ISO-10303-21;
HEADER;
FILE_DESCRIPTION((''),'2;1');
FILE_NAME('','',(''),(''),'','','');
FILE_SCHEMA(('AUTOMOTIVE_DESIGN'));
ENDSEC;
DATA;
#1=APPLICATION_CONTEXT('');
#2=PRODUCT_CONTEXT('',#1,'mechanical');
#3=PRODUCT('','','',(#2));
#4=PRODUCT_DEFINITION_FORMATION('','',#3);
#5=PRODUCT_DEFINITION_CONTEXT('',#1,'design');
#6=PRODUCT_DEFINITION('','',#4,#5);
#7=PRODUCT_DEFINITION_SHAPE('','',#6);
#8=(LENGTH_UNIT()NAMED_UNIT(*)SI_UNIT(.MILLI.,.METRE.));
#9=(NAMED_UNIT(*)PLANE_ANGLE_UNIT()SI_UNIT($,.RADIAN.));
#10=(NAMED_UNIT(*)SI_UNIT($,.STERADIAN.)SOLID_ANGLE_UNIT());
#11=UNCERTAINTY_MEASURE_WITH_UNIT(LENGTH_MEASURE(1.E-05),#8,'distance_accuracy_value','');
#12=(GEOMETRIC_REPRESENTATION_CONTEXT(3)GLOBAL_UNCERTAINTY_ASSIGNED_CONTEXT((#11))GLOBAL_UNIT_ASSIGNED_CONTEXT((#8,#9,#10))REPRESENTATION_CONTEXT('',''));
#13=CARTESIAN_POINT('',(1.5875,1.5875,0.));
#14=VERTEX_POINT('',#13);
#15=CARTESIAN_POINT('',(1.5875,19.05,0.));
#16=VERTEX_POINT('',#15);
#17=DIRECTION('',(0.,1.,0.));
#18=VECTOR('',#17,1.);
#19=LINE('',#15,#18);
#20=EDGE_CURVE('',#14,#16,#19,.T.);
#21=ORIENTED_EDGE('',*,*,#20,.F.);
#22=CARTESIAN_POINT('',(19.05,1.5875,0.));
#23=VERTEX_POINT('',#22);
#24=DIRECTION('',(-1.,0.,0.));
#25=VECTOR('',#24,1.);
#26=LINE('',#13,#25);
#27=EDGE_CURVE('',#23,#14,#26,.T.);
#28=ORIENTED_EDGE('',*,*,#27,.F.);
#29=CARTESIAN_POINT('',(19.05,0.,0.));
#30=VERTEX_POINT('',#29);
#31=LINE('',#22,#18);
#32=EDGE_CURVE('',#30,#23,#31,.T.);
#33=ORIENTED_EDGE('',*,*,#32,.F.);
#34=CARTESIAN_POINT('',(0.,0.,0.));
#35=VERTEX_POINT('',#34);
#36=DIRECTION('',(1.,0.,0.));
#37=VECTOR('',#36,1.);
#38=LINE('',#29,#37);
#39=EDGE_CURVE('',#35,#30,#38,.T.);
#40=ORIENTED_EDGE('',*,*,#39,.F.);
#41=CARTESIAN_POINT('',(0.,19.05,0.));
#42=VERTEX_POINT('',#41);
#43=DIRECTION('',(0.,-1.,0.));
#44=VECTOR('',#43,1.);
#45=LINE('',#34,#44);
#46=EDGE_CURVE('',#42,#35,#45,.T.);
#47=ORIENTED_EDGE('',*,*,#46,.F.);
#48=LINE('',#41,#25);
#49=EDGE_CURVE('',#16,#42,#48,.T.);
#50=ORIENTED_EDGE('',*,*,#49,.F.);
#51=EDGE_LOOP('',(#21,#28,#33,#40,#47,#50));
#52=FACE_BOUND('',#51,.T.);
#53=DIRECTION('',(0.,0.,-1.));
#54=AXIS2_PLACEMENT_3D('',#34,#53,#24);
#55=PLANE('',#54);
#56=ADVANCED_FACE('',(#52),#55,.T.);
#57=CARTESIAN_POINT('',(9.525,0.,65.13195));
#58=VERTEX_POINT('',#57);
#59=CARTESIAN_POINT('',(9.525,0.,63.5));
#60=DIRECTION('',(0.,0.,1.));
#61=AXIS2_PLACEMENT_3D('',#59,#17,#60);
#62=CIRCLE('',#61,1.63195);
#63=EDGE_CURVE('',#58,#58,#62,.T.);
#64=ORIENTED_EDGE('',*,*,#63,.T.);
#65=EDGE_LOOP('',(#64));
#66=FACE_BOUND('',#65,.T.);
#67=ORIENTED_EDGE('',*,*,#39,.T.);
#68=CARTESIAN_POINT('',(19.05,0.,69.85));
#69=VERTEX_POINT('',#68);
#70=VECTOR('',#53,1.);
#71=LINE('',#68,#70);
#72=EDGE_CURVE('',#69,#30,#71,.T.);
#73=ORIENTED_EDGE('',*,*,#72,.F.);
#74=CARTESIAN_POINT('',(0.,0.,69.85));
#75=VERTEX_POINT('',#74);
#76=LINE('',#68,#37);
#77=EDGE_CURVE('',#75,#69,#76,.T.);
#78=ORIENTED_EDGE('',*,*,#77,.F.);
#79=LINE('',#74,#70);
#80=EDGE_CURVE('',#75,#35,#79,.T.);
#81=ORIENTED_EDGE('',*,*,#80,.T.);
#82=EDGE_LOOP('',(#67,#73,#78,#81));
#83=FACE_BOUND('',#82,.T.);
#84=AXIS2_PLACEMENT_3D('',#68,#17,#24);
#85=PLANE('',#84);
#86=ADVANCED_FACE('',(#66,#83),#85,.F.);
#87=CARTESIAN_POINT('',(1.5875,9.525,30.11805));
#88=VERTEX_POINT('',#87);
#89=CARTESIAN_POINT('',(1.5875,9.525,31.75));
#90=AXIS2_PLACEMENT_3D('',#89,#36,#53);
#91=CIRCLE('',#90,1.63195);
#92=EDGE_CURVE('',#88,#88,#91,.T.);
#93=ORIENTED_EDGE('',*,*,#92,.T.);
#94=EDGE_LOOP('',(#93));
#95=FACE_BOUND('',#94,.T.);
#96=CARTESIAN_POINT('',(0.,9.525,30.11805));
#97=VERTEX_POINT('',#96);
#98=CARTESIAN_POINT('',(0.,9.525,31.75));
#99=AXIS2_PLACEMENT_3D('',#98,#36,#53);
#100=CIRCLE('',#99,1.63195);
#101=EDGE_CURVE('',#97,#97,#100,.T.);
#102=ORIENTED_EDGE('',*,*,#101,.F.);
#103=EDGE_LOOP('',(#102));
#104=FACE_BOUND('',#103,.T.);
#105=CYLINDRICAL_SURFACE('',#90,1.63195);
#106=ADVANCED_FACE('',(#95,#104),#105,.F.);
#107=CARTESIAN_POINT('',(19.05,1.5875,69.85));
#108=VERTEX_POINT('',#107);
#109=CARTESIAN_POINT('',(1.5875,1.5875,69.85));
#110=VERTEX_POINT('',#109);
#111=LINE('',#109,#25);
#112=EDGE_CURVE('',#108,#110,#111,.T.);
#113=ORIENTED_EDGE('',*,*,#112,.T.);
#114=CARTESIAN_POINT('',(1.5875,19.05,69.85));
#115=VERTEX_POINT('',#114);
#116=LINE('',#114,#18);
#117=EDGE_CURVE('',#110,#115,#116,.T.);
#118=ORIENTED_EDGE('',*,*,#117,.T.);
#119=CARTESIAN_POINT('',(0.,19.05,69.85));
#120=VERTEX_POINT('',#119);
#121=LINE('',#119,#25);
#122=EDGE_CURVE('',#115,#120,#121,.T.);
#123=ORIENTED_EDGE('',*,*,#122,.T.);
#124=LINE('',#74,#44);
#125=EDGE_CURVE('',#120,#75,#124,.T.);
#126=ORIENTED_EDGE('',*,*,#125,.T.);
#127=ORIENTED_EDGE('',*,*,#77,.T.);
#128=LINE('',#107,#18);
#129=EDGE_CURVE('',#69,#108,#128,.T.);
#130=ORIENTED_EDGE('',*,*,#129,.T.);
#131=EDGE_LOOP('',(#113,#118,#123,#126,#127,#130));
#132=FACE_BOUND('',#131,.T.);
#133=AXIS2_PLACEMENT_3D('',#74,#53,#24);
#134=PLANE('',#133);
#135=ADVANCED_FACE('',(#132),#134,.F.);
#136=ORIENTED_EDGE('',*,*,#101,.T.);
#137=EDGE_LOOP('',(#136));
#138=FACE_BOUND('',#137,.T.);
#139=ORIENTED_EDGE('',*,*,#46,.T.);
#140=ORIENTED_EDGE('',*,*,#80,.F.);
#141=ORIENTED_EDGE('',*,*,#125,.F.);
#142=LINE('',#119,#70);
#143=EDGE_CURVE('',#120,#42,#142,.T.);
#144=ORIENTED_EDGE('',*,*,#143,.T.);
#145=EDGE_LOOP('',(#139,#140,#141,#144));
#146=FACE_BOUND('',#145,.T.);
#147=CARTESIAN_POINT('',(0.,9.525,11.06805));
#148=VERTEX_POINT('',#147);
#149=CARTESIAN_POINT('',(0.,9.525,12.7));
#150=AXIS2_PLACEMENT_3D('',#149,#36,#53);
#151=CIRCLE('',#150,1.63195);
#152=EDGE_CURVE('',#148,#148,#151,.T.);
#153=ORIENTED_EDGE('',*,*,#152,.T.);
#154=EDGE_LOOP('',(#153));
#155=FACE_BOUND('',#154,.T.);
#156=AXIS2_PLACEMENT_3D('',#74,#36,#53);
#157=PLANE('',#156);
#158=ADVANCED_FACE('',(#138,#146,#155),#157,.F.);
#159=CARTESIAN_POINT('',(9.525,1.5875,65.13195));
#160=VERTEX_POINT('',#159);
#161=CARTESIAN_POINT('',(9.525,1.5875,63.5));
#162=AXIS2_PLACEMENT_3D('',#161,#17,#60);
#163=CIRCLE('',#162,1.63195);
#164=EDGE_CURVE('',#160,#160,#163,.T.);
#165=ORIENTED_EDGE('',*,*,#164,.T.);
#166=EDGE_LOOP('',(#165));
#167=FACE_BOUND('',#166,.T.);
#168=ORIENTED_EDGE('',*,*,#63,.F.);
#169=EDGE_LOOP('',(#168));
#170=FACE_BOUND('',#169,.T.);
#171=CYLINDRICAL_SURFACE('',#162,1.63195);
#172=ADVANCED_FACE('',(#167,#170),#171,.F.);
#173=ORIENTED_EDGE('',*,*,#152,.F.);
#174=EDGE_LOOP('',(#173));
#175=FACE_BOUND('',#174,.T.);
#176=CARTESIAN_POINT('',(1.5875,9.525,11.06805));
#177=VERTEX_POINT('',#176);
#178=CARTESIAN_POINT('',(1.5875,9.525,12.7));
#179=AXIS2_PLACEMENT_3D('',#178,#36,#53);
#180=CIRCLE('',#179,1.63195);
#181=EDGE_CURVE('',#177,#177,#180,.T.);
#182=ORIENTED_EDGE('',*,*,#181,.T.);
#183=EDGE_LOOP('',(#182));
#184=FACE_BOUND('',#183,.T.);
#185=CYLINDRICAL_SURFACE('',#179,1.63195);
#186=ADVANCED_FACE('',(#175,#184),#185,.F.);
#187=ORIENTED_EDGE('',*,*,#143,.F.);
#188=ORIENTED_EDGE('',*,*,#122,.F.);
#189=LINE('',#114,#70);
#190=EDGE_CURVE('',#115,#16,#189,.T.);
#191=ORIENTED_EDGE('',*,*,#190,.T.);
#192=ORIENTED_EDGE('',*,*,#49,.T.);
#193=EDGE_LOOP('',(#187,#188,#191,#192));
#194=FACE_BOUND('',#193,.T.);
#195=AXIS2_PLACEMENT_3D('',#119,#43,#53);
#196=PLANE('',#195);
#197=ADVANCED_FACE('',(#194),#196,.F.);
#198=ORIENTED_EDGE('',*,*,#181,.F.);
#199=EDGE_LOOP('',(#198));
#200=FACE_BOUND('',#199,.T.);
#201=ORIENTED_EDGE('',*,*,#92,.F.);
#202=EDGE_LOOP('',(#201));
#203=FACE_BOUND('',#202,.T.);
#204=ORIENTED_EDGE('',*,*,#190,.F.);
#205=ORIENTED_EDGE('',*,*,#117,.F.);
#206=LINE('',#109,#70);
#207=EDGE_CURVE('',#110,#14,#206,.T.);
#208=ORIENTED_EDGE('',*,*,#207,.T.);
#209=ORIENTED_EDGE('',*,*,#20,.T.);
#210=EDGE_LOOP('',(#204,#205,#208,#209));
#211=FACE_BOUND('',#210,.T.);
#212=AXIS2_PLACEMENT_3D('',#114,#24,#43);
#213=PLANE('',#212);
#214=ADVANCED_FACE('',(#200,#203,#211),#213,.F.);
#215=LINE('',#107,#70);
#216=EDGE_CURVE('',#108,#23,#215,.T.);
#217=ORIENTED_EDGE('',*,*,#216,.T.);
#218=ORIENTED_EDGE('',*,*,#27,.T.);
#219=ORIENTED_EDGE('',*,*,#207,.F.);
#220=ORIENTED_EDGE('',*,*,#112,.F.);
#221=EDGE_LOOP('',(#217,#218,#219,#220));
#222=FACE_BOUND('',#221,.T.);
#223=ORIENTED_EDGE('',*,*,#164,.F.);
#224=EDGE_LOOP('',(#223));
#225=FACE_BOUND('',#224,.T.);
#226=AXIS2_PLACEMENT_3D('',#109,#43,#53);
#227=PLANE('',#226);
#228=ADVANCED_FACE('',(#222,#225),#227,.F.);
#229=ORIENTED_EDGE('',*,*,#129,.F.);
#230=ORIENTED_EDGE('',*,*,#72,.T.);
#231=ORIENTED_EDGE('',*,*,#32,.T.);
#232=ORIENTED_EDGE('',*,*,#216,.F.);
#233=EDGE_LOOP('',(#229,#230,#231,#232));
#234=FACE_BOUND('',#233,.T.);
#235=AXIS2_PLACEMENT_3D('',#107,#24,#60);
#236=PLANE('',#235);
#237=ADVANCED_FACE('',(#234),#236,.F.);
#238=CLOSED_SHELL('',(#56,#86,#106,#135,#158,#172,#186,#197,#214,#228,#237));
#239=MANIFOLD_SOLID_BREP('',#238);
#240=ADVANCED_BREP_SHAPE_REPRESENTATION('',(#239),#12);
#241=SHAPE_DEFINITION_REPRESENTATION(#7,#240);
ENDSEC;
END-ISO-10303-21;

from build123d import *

# Parameters (mm, degrees)
BOSS_EXTRUDE1_DEPTH   = 69.85
F_4_CLEARANCE_HOLE1_D = 3.2639
F_4_CLEARANCE_HOLE2_D = 3.2639


with BuildPart() as part:
    # Sketch1 → Boss-Extrude1 (new body)
    with BuildSketch(Plane.XY):
        Polygon((0, 0), (0, 19.05), (1.5875, 19.05), (1.5875, 1.5875), (19.05, 1.5875), (19.05, 0), align=None)
    extrude(amount=BOSS_EXTRUDE1_DEPTH)

    # #4 Clearance Hole1 (through all)
    with Locations(Plane(origin=(1.5875, 0, 0), x_dir=(0, 0, -1), z_dir=(1, 0, 0))):
        with Locations((-12.7, 9.525), (-31.75, 9.525)):
            Hole(F_4_CLEARANCE_HOLE1_D / 2)

    # #4 Clearance Hole2 (through all)
    with Locations(Plane(origin=(0, 1.5875, 0), x_dir=(1, 0, 0), z_dir=(0, 1, 0))):
        with Locations((9.525, -63.5)):
            Hole(F_4_CLEARANCE_HOLE2_D / 2)


solid = part.part
